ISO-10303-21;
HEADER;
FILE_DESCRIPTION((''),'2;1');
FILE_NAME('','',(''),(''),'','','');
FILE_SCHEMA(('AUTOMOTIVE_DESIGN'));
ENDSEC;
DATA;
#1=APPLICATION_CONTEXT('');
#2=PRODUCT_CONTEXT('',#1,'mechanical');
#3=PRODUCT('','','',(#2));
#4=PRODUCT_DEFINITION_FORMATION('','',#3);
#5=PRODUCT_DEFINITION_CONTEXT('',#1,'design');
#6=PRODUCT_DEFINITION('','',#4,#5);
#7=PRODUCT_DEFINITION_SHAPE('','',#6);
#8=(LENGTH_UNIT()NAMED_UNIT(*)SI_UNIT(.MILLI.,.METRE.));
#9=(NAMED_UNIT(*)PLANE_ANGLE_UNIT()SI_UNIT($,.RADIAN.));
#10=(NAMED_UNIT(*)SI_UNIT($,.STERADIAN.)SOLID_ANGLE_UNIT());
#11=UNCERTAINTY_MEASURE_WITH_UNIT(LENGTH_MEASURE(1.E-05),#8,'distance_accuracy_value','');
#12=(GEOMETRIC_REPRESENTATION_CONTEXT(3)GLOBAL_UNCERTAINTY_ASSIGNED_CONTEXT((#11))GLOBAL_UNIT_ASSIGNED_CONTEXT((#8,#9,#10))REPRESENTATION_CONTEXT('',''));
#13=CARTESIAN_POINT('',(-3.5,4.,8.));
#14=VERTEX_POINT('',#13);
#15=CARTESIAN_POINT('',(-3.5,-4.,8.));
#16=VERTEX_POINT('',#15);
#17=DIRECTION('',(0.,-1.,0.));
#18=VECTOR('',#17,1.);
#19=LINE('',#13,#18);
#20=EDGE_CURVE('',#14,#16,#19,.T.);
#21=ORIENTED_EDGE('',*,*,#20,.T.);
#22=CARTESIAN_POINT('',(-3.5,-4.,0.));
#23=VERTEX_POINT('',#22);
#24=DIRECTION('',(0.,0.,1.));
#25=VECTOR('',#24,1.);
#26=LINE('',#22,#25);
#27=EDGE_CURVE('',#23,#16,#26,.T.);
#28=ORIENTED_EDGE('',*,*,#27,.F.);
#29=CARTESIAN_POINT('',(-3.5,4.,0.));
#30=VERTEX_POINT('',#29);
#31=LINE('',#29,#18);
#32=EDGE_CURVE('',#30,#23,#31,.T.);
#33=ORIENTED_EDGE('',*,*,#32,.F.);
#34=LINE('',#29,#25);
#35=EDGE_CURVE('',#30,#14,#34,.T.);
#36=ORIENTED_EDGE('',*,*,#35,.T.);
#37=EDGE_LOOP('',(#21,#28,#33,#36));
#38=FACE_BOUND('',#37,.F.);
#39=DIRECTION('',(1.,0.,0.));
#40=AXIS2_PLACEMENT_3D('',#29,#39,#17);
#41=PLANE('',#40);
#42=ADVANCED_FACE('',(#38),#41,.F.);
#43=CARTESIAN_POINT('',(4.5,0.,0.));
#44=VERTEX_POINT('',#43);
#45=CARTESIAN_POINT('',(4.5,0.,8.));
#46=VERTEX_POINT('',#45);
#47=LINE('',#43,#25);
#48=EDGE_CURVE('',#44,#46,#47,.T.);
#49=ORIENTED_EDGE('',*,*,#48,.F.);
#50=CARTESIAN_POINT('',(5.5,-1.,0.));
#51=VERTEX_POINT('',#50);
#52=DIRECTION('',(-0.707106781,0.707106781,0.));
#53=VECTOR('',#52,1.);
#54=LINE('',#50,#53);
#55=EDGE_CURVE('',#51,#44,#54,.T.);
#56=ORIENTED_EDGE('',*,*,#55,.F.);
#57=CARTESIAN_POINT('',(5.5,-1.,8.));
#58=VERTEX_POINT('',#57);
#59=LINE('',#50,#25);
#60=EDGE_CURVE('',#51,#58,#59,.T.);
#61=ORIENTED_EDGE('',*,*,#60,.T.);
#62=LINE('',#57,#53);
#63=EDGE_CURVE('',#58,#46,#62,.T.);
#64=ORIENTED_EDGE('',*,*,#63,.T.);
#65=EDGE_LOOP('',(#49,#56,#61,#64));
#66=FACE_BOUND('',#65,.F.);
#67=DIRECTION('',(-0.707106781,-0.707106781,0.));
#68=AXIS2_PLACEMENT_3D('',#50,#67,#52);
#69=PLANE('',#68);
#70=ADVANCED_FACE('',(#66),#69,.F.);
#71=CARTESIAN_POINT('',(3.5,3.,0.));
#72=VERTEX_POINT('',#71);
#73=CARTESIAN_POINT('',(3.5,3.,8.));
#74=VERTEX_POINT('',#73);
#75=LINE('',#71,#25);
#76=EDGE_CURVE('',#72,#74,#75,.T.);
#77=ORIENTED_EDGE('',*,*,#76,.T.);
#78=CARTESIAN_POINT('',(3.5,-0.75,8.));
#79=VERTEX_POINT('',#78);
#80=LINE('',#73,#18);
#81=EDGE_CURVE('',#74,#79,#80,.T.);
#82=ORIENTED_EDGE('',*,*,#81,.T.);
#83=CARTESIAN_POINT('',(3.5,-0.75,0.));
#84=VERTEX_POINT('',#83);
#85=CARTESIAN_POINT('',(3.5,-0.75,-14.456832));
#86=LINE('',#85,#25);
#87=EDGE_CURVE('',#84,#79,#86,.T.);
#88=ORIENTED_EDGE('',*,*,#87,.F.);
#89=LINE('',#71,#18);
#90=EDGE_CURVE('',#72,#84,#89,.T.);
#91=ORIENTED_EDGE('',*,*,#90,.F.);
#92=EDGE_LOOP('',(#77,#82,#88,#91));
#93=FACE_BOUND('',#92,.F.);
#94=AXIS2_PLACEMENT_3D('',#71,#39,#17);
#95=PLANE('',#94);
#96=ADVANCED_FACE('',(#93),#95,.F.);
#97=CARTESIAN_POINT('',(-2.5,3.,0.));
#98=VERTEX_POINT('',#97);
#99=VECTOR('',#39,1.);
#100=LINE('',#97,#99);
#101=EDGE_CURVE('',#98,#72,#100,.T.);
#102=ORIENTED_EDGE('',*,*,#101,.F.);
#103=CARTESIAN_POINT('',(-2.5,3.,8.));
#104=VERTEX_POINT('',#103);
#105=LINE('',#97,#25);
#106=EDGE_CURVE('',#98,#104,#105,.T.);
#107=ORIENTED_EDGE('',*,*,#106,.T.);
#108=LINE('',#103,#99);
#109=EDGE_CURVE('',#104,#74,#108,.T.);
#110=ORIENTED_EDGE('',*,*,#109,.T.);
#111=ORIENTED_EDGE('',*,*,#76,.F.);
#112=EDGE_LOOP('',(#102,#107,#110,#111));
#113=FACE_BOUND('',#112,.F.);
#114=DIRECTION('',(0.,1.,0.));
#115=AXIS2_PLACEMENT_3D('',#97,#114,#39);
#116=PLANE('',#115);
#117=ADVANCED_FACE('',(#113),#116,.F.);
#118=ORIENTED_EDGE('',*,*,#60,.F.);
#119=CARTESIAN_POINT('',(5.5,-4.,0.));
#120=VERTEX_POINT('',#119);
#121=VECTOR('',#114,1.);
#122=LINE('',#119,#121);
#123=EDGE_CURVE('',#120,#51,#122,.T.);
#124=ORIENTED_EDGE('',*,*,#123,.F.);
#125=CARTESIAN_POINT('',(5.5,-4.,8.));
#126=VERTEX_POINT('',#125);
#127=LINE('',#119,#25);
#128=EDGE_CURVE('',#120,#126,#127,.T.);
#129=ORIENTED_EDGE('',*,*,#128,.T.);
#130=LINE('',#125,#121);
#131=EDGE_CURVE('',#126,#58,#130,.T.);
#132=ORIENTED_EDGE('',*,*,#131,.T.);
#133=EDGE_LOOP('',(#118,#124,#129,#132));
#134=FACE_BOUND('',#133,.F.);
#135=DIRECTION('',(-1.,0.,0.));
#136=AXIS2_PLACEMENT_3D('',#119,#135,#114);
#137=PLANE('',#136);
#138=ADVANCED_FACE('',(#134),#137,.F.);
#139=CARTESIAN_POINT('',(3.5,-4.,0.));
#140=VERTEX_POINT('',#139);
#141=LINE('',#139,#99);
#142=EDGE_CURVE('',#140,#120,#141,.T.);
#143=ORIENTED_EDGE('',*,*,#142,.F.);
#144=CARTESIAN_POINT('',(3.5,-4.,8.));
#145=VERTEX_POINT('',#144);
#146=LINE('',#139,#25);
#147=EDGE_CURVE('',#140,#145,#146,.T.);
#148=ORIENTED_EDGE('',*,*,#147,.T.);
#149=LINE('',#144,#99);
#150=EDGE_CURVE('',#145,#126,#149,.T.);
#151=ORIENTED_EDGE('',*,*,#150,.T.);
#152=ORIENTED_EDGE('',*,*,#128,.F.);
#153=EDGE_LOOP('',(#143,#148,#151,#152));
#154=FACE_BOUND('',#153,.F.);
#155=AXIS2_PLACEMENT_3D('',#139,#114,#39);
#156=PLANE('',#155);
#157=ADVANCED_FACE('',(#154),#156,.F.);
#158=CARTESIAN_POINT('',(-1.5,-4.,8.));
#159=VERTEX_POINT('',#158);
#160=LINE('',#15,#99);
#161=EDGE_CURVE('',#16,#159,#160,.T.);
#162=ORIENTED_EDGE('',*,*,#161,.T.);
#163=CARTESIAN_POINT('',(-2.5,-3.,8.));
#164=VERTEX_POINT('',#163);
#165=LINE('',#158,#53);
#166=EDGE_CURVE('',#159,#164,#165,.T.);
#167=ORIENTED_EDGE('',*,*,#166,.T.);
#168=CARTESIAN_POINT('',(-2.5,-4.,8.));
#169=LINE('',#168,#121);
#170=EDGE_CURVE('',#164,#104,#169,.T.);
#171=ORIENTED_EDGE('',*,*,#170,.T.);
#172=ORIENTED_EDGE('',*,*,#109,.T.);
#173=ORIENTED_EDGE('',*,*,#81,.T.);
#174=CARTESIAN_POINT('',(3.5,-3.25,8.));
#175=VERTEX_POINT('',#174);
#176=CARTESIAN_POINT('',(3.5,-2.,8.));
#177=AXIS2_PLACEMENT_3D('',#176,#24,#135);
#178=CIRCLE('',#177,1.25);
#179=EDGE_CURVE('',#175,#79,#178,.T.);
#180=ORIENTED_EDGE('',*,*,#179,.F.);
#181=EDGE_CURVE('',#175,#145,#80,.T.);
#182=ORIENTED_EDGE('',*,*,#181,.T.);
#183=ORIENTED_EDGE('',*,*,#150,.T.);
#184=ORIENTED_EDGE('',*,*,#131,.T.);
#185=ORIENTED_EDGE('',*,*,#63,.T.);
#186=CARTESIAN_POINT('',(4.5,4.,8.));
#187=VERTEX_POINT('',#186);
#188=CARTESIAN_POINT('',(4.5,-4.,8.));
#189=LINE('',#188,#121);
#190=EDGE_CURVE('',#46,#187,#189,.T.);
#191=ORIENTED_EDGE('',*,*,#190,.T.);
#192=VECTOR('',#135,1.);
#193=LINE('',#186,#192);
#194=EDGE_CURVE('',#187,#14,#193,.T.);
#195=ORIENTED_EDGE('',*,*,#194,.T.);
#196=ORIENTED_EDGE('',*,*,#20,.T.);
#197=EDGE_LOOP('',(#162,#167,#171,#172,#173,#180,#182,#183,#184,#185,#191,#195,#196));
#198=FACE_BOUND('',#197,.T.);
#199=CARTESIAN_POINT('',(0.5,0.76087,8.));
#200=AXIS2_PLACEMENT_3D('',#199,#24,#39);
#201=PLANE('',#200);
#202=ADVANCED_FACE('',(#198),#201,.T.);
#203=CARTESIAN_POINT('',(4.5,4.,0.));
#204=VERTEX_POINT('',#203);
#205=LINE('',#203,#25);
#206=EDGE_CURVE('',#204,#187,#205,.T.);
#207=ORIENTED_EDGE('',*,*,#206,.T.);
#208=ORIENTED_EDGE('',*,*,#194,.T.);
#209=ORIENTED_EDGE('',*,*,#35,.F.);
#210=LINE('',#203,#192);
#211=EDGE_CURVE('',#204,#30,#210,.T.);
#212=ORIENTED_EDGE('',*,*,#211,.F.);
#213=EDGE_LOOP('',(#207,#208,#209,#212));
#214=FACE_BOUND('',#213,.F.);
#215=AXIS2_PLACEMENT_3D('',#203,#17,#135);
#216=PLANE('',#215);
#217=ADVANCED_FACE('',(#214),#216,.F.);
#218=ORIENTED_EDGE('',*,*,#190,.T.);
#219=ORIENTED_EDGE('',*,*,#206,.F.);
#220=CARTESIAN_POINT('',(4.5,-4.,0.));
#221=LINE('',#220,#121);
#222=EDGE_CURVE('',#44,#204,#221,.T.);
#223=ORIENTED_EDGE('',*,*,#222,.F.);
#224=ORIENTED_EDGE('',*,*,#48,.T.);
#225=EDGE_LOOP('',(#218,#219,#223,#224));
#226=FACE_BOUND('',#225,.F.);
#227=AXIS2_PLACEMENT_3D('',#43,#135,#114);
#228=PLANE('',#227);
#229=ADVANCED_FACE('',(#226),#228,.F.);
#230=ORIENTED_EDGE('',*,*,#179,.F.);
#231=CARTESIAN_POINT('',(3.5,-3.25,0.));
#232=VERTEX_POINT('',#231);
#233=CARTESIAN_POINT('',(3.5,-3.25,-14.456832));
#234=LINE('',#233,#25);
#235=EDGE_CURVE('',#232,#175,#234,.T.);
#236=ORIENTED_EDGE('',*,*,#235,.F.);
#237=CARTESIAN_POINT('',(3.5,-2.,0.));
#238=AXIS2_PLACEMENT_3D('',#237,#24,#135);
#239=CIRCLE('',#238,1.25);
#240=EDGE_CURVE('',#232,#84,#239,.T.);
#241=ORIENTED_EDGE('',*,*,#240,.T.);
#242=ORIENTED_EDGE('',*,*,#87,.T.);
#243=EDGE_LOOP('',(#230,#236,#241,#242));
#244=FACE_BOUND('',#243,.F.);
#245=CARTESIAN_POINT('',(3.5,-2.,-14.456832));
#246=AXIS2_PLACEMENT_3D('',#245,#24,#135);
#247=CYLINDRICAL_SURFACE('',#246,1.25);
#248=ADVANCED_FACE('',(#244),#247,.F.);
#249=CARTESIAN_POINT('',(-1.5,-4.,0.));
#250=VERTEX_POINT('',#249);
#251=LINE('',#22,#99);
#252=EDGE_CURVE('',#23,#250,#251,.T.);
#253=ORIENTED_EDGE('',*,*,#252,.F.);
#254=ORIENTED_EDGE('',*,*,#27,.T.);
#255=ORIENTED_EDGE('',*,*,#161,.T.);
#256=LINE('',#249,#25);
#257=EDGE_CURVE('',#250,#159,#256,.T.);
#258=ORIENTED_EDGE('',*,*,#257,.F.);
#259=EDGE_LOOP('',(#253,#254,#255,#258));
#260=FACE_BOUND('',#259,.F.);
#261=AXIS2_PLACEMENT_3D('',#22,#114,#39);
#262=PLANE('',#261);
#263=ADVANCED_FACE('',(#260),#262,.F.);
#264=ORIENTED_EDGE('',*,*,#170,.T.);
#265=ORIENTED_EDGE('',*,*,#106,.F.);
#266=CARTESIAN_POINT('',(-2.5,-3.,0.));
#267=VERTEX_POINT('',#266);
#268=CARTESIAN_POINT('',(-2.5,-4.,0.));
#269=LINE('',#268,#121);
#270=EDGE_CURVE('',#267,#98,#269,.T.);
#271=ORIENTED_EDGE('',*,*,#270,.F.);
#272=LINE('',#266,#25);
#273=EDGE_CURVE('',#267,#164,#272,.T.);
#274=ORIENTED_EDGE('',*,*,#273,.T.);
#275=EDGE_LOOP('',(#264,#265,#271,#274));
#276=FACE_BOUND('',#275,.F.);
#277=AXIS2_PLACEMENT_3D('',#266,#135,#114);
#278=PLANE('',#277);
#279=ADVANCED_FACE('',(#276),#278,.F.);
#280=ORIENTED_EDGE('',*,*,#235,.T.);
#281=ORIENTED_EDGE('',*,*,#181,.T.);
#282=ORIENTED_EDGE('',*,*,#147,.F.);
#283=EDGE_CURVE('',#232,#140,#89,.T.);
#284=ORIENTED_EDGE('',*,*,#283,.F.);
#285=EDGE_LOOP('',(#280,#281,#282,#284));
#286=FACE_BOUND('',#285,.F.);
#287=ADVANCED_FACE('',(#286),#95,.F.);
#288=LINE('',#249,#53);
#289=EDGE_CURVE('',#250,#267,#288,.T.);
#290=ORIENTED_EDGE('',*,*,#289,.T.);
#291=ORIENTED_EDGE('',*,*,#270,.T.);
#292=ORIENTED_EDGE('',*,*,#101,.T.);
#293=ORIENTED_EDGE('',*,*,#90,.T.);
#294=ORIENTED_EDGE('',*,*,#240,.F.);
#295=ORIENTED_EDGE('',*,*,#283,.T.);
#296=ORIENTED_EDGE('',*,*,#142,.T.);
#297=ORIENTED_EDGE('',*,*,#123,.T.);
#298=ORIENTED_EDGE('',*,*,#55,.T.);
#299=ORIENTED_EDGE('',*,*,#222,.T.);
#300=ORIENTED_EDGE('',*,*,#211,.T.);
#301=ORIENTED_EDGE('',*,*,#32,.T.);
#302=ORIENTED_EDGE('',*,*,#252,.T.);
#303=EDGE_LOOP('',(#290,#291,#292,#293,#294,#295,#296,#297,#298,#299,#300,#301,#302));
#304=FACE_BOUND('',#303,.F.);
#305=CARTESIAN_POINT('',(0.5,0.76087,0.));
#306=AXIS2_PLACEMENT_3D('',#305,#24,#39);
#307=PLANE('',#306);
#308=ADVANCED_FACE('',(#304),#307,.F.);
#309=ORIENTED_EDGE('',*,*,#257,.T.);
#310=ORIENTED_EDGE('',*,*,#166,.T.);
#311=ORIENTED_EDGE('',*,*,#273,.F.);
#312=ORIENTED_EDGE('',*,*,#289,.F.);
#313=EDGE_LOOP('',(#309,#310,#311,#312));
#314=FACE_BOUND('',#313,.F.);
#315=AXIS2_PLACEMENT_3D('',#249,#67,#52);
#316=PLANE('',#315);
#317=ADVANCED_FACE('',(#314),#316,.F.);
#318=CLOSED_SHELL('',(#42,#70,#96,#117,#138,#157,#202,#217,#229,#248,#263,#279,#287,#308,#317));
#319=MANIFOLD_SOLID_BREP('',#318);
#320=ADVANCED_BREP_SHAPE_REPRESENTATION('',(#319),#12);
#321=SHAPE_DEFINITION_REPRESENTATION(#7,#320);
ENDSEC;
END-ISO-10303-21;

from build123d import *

# Parameters (mm, degrees)
F1_DEPTH = 8
F2_D     = 2.5


with BuildPart() as f1:
    # F0 (on Top) → F1 (new body)
    with BuildSketch(Plane.XY):
        Polygon((-2.5, -3), (-2.5, 3), (3.5, 3), (3.5, -4), (4.5, -4), (4.5, 0), (4.5, 4), (-3.5, 4), (-3.5, -4), (-2.5, -4), align=None)
        Polygon((4.5, 0), (4.5, -4), (5.5, -4), (5.5, -1), align=None)
        Polygon((-1.5, -4), (-2.5, -3), (-2.5, -4), align=None)
    extrude(amount=F1_DEPTH)

    # F2 (through all)
    with Locations(Plane(origin=(0, 0, 0), x_dir=(1, 0, 0), z_dir=(0, 0, -1))):
        with Locations((3.5, 2)):
            Hole(F2_D / 2)


solid = f1.part
